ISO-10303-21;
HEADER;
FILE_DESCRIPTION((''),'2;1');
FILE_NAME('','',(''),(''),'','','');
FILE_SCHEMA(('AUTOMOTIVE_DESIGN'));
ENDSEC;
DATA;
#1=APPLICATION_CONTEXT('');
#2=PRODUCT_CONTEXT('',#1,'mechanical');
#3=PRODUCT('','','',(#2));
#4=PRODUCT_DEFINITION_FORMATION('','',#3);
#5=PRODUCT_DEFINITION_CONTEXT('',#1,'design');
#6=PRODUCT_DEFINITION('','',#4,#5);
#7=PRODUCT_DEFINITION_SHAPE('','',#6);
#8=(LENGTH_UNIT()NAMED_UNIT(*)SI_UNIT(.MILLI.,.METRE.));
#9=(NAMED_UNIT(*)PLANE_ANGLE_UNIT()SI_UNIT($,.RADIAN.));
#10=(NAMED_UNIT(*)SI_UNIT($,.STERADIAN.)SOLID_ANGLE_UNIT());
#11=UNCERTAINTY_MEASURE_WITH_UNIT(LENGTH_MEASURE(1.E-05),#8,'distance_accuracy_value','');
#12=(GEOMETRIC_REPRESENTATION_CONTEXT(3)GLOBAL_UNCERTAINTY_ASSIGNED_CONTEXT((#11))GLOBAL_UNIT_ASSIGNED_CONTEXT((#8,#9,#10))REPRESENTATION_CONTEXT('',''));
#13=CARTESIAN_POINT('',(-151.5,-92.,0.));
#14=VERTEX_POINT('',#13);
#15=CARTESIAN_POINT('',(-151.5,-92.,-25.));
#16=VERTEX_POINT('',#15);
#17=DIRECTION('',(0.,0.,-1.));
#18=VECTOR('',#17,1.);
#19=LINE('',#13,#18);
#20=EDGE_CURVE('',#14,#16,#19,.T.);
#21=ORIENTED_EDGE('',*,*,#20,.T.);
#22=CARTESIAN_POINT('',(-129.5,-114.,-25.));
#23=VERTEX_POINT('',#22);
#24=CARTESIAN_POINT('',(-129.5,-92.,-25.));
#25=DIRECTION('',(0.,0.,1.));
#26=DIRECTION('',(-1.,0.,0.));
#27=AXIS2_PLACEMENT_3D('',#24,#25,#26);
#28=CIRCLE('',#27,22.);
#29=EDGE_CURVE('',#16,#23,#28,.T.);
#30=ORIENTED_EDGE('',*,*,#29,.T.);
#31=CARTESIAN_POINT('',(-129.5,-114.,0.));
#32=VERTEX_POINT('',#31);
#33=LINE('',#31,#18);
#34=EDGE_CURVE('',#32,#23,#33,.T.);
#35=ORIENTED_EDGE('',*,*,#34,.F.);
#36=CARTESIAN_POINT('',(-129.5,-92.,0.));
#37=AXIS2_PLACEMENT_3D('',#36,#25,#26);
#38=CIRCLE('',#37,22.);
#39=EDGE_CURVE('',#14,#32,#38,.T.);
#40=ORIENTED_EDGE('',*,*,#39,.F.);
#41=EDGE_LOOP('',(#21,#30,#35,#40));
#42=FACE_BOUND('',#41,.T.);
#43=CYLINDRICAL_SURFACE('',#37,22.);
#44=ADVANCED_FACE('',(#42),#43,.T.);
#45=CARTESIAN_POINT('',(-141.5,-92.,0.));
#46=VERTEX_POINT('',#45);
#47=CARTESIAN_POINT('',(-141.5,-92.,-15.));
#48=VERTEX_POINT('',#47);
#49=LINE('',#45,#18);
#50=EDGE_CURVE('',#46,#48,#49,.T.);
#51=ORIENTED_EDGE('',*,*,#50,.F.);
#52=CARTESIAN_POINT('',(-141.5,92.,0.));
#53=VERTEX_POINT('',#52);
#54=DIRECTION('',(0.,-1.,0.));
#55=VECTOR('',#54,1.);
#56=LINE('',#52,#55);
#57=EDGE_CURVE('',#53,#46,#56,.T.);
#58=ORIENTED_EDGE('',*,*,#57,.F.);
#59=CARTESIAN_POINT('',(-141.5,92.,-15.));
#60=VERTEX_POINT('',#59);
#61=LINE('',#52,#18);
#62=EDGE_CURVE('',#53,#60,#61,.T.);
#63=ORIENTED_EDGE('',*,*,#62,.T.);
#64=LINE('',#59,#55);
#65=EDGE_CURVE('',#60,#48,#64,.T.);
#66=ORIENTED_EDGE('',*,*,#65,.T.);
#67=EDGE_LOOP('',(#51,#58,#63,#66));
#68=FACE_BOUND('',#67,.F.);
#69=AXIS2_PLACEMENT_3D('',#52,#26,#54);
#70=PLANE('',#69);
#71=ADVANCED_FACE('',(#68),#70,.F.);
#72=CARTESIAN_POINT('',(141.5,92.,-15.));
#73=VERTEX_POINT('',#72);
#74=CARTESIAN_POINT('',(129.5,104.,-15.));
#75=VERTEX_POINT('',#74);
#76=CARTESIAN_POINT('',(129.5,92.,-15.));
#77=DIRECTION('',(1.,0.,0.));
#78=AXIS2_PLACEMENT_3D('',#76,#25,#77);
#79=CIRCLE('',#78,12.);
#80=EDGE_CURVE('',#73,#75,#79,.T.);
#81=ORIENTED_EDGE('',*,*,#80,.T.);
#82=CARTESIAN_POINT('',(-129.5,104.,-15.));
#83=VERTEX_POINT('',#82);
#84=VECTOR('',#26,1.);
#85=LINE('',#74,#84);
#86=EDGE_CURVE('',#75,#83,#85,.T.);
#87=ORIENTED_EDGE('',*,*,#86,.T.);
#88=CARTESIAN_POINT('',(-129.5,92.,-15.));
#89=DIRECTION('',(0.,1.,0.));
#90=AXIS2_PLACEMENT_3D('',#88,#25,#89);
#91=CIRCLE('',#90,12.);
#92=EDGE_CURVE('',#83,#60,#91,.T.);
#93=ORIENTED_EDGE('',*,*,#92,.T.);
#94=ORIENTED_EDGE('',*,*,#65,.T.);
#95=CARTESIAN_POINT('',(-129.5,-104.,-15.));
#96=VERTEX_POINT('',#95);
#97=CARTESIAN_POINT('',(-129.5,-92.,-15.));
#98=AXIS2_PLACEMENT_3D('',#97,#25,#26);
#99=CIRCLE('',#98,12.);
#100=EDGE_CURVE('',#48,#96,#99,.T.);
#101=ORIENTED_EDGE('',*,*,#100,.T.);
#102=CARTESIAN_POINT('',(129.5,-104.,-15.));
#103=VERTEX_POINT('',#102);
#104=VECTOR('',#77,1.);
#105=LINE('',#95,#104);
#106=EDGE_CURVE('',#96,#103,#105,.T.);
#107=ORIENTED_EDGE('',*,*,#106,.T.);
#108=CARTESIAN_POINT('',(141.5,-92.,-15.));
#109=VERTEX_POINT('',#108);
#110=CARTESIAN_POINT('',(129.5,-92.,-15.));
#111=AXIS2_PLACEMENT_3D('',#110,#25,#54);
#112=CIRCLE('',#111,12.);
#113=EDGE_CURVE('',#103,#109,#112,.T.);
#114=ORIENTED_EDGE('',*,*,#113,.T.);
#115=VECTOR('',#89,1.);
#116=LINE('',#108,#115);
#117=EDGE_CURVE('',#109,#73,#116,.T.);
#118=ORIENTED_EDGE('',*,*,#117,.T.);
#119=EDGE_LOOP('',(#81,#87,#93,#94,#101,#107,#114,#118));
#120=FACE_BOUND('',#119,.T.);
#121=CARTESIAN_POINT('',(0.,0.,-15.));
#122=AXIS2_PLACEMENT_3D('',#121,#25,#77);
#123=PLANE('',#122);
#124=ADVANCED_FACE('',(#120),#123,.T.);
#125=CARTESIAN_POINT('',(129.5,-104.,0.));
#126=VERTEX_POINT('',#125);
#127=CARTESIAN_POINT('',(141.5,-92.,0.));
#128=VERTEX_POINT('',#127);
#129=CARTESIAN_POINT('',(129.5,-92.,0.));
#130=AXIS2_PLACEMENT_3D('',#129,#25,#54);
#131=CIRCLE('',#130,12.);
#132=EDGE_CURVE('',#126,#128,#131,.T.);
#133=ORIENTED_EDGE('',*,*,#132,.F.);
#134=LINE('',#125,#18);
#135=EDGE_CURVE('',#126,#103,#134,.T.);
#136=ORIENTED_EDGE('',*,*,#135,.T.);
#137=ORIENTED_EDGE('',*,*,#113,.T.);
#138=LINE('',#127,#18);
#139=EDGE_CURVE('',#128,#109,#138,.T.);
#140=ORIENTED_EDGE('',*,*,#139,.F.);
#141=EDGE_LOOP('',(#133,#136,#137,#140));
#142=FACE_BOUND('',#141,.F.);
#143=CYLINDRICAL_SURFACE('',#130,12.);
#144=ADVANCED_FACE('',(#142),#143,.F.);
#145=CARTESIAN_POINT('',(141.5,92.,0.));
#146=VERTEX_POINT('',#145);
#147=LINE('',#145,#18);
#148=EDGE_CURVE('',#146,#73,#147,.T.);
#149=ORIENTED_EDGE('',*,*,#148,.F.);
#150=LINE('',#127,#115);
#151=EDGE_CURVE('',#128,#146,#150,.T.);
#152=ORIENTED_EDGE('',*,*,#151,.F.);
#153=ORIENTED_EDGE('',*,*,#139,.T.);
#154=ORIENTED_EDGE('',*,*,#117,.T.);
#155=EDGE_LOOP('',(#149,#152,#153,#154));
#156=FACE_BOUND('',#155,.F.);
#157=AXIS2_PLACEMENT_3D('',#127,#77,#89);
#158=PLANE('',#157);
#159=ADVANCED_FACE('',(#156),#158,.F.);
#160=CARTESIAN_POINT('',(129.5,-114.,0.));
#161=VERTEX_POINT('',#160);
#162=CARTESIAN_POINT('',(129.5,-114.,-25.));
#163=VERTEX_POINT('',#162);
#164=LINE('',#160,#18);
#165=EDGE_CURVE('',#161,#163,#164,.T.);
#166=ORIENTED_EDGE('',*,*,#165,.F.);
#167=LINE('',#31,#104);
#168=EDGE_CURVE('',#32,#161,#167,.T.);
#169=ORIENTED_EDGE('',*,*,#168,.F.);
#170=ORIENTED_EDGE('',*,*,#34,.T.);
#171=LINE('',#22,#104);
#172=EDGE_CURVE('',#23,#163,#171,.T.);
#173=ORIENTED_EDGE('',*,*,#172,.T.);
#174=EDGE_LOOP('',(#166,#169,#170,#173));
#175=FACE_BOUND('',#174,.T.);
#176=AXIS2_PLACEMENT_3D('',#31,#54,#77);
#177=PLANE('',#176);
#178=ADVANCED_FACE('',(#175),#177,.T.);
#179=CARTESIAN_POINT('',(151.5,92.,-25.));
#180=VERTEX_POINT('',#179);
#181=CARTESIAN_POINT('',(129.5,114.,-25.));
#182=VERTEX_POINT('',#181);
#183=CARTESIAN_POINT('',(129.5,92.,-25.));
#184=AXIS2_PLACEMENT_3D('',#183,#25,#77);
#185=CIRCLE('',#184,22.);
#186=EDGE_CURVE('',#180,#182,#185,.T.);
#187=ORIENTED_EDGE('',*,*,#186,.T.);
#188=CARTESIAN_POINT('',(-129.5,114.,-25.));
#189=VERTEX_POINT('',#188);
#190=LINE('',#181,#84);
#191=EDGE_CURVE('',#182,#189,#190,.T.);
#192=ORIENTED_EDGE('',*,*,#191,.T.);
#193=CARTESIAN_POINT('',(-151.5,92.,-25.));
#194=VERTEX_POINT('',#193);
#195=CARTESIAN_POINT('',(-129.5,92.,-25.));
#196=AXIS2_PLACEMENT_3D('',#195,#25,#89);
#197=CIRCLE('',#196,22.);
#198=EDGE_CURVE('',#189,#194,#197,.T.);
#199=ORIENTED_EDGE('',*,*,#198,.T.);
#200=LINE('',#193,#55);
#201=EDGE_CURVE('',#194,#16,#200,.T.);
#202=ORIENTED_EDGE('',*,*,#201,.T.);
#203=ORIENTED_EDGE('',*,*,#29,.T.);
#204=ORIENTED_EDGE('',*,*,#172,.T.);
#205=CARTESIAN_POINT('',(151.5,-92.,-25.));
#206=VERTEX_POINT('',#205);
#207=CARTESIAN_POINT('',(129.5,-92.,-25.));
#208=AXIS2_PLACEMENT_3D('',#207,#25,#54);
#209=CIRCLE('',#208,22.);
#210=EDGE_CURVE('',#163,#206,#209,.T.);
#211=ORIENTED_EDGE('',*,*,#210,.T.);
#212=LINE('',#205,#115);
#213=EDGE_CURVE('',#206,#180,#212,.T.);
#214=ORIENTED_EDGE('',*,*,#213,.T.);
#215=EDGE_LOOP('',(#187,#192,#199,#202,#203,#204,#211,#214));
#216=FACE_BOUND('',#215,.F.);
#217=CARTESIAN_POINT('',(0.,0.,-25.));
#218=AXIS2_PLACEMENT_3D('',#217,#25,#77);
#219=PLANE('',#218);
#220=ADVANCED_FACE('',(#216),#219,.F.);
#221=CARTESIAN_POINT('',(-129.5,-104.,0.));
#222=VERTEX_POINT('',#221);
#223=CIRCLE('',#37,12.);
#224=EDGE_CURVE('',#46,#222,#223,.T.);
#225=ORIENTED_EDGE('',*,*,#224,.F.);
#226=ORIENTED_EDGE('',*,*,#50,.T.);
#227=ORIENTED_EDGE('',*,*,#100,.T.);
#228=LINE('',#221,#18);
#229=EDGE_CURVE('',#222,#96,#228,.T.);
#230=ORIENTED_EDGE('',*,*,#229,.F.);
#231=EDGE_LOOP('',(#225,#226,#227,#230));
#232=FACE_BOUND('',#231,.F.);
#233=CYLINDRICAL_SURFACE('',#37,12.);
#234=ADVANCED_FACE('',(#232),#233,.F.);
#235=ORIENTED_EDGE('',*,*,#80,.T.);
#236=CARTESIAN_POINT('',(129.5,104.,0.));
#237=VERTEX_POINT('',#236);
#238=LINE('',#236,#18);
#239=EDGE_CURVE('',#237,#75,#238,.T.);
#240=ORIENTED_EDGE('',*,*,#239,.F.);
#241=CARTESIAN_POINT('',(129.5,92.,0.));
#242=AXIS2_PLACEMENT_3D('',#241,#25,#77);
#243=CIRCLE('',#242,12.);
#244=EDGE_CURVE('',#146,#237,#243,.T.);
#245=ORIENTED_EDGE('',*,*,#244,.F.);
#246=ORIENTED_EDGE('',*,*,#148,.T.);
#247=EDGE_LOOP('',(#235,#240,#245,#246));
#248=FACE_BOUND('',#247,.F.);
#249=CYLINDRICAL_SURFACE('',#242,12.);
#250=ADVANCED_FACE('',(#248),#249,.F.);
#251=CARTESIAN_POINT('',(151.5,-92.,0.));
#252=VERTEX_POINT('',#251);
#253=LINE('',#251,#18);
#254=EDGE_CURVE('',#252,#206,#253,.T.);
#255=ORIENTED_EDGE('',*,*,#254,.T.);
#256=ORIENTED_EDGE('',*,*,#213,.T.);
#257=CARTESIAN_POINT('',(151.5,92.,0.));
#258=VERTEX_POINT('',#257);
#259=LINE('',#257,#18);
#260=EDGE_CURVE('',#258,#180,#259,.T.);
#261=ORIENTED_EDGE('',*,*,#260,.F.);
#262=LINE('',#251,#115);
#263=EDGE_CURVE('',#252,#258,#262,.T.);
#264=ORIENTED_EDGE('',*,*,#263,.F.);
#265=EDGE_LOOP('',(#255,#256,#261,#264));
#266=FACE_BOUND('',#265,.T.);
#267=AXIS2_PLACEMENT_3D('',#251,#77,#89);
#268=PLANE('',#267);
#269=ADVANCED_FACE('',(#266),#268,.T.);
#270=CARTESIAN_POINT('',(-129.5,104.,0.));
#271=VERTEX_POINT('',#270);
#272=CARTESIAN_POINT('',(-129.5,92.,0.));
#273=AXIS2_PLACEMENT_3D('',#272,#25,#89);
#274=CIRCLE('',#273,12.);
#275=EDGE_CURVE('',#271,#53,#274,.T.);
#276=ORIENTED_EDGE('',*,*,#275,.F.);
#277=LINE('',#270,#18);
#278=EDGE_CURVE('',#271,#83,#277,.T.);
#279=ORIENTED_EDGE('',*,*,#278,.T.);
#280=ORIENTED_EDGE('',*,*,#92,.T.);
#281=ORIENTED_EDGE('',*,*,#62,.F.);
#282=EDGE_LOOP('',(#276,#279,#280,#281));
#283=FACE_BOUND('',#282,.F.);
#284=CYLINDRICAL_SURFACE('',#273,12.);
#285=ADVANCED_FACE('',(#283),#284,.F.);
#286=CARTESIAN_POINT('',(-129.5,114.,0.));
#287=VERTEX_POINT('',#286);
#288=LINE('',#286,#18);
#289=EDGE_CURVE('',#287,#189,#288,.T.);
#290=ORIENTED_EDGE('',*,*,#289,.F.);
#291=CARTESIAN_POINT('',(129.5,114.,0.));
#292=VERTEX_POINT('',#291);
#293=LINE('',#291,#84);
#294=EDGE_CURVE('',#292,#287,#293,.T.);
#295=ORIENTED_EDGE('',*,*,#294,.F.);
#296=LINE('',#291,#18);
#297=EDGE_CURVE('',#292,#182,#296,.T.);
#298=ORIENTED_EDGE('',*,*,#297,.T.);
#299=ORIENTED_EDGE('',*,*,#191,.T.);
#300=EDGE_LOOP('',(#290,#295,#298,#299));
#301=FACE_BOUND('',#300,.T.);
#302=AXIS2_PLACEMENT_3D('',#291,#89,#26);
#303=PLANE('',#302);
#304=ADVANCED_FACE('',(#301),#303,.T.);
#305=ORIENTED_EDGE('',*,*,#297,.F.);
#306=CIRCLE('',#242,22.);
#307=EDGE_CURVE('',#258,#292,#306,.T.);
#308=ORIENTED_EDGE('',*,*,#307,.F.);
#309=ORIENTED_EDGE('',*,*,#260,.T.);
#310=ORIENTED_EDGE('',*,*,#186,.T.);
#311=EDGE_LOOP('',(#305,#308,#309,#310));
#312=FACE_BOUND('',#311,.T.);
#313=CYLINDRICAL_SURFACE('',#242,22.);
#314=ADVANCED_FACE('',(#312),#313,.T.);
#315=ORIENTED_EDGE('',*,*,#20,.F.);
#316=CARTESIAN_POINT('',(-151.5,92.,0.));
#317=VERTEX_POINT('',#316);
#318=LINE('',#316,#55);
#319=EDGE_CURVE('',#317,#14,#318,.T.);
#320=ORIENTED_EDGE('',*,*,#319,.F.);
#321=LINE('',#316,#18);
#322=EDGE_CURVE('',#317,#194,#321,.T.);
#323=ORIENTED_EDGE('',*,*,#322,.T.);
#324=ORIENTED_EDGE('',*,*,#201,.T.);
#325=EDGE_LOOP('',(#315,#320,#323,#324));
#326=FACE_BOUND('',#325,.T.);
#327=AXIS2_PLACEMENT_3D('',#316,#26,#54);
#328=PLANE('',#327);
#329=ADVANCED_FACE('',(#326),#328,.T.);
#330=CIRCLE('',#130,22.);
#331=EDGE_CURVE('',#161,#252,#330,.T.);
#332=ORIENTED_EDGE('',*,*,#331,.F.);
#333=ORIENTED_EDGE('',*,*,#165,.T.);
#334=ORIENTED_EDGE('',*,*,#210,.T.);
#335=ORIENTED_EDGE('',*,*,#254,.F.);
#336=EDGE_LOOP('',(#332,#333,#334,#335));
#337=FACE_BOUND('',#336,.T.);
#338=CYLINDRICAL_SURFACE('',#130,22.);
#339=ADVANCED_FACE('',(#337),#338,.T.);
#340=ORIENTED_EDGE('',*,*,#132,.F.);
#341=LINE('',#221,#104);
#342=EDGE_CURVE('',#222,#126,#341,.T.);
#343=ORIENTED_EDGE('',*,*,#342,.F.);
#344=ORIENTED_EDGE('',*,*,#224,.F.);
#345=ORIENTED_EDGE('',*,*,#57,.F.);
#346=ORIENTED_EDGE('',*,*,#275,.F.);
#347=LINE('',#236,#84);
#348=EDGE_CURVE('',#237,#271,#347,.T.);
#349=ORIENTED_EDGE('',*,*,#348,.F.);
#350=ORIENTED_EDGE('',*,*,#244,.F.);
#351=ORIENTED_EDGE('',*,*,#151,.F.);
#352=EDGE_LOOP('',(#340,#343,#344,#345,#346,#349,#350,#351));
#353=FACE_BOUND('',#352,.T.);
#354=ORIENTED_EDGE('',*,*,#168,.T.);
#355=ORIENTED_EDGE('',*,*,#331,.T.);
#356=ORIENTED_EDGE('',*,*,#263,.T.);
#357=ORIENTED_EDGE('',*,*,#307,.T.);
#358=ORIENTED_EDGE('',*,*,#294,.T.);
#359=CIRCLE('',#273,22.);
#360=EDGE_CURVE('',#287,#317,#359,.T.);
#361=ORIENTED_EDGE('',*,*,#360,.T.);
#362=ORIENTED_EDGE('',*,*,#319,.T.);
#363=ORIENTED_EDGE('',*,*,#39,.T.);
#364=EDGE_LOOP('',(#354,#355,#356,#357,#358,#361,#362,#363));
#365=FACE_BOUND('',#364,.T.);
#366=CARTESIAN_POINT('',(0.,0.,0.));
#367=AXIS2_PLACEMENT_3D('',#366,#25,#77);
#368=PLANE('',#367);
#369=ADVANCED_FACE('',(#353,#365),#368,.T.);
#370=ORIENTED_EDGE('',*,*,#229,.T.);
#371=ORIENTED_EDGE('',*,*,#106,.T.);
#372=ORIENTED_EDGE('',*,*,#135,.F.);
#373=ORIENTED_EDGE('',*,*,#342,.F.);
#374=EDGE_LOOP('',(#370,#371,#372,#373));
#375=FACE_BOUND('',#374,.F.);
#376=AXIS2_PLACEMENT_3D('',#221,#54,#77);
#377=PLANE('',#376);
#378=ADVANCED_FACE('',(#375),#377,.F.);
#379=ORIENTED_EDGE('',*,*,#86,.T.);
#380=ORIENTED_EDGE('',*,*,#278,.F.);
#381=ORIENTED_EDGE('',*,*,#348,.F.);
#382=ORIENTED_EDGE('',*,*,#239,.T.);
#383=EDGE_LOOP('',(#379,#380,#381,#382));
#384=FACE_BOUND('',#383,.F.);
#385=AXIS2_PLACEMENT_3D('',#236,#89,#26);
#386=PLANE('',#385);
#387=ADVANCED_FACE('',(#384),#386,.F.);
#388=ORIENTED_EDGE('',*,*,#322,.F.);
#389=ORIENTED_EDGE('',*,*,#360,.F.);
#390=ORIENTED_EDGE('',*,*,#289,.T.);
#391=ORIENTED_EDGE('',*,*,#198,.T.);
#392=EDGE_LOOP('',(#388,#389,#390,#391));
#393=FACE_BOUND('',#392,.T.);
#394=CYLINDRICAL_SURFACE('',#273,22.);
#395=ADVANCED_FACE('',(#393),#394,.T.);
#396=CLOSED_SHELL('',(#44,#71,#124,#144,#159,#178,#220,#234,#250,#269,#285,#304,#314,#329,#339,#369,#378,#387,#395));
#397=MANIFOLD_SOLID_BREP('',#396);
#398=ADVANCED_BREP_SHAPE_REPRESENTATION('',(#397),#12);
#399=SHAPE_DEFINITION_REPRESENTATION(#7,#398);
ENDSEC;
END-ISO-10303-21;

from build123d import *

# Parameters (mm, degrees)
F1_DEPTH = 25
F2_DEPTH = 15


with BuildPart() as f1:
    # F0 (on Top) → F1 (new body)
    with BuildSketch(Plane.XY):
        with BuildLine():
            Line((-129.5, -114), (129.5, -114))
            ThreePointArc((129.5, -114), (145.0563491861, -107.5563491861), (151.5, -92))
            Line((151.5, -92), (151.5, 92))
            ThreePointArc((151.5, 92), (145.0563491861, 107.5563491861), (129.5, 114))
            Line((129.5, 114), (-129.5, 114))
            ThreePointArc((-129.5, 114), (-145.0563491861, 107.5563491861), (-151.5, 92))
            Line((-151.5, 92), (-151.5, -92))
            ThreePointArc((-151.5, -92), (-145.0563491861, -107.5563491861), (-129.5, -114))
        make_face()
        with BuildLine():
            ThreePointArc((141.5, -92), (137.9852813742, -100.4852813742), (129.5, -104))
            Line((129.5, -104), (-129.5, -104))
            ThreePointArc((-129.5, -104), (-137.9852813742, -100.4852813742), (-141.5, -92))
            Line((-141.5, -92), (-141.5, 92))
            ThreePointArc((-141.5, 92), (-137.9852813742, 100.4852813742), (-129.5, 104))
            Line((-129.5, 104), (129.5, 104))
            ThreePointArc((129.5, 104), (137.9852813742, 100.4852813742), (141.5, 92))
            Line((141.5, 92), (141.5, -92))
        make_face(mode=Mode.SUBTRACT)
        with BuildLine():
            Line((-129.5, -104), (129.5, -104))
            ThreePointArc((129.5, -104), (137.9852813742, -100.4852813742), (141.5, -92))
            Line((141.5, -92), (141.5, 92))
            ThreePointArc((141.5, 92), (137.9852813742, 100.4852813742), (129.5, 104))
            Line((129.5, 104), (-129.5, 104))
            ThreePointArc((-129.5, 104), (-137.9852813742, 100.4852813742), (-141.5, 92))
            Line((-141.5, 92), (-141.5, -92))
            ThreePointArc((-141.5, -92), (-137.9852813742, -100.4852813742), (-129.5, -104))
        make_face()
    extrude(amount=-F1_DEPTH)

    # F0 (on Top) → F2 (cut)
    with BuildSketch(Plane.XY):
        with BuildLine():
            Line((-129.5, -104), (129.5, -104))
            ThreePointArc((129.5, -104), (137.9852813742, -100.4852813742), (141.5, -92))
            Line((141.5, -92), (141.5, 92))
            ThreePointArc((141.5, 92), (137.9852813742, 100.4852813742), (129.5, 104))
            Line((129.5, 104), (-129.5, 104))
            ThreePointArc((-129.5, 104), (-137.9852813742, 100.4852813742), (-141.5, 92))
            Line((-141.5, 92), (-141.5, -92))
            ThreePointArc((-141.5, -92), (-137.9852813742, -100.4852813742), (-129.5, -104))
        make_face()
    extrude(amount=-F2_DEPTH, mode=Mode.SUBTRACT)


solid = f1.part
